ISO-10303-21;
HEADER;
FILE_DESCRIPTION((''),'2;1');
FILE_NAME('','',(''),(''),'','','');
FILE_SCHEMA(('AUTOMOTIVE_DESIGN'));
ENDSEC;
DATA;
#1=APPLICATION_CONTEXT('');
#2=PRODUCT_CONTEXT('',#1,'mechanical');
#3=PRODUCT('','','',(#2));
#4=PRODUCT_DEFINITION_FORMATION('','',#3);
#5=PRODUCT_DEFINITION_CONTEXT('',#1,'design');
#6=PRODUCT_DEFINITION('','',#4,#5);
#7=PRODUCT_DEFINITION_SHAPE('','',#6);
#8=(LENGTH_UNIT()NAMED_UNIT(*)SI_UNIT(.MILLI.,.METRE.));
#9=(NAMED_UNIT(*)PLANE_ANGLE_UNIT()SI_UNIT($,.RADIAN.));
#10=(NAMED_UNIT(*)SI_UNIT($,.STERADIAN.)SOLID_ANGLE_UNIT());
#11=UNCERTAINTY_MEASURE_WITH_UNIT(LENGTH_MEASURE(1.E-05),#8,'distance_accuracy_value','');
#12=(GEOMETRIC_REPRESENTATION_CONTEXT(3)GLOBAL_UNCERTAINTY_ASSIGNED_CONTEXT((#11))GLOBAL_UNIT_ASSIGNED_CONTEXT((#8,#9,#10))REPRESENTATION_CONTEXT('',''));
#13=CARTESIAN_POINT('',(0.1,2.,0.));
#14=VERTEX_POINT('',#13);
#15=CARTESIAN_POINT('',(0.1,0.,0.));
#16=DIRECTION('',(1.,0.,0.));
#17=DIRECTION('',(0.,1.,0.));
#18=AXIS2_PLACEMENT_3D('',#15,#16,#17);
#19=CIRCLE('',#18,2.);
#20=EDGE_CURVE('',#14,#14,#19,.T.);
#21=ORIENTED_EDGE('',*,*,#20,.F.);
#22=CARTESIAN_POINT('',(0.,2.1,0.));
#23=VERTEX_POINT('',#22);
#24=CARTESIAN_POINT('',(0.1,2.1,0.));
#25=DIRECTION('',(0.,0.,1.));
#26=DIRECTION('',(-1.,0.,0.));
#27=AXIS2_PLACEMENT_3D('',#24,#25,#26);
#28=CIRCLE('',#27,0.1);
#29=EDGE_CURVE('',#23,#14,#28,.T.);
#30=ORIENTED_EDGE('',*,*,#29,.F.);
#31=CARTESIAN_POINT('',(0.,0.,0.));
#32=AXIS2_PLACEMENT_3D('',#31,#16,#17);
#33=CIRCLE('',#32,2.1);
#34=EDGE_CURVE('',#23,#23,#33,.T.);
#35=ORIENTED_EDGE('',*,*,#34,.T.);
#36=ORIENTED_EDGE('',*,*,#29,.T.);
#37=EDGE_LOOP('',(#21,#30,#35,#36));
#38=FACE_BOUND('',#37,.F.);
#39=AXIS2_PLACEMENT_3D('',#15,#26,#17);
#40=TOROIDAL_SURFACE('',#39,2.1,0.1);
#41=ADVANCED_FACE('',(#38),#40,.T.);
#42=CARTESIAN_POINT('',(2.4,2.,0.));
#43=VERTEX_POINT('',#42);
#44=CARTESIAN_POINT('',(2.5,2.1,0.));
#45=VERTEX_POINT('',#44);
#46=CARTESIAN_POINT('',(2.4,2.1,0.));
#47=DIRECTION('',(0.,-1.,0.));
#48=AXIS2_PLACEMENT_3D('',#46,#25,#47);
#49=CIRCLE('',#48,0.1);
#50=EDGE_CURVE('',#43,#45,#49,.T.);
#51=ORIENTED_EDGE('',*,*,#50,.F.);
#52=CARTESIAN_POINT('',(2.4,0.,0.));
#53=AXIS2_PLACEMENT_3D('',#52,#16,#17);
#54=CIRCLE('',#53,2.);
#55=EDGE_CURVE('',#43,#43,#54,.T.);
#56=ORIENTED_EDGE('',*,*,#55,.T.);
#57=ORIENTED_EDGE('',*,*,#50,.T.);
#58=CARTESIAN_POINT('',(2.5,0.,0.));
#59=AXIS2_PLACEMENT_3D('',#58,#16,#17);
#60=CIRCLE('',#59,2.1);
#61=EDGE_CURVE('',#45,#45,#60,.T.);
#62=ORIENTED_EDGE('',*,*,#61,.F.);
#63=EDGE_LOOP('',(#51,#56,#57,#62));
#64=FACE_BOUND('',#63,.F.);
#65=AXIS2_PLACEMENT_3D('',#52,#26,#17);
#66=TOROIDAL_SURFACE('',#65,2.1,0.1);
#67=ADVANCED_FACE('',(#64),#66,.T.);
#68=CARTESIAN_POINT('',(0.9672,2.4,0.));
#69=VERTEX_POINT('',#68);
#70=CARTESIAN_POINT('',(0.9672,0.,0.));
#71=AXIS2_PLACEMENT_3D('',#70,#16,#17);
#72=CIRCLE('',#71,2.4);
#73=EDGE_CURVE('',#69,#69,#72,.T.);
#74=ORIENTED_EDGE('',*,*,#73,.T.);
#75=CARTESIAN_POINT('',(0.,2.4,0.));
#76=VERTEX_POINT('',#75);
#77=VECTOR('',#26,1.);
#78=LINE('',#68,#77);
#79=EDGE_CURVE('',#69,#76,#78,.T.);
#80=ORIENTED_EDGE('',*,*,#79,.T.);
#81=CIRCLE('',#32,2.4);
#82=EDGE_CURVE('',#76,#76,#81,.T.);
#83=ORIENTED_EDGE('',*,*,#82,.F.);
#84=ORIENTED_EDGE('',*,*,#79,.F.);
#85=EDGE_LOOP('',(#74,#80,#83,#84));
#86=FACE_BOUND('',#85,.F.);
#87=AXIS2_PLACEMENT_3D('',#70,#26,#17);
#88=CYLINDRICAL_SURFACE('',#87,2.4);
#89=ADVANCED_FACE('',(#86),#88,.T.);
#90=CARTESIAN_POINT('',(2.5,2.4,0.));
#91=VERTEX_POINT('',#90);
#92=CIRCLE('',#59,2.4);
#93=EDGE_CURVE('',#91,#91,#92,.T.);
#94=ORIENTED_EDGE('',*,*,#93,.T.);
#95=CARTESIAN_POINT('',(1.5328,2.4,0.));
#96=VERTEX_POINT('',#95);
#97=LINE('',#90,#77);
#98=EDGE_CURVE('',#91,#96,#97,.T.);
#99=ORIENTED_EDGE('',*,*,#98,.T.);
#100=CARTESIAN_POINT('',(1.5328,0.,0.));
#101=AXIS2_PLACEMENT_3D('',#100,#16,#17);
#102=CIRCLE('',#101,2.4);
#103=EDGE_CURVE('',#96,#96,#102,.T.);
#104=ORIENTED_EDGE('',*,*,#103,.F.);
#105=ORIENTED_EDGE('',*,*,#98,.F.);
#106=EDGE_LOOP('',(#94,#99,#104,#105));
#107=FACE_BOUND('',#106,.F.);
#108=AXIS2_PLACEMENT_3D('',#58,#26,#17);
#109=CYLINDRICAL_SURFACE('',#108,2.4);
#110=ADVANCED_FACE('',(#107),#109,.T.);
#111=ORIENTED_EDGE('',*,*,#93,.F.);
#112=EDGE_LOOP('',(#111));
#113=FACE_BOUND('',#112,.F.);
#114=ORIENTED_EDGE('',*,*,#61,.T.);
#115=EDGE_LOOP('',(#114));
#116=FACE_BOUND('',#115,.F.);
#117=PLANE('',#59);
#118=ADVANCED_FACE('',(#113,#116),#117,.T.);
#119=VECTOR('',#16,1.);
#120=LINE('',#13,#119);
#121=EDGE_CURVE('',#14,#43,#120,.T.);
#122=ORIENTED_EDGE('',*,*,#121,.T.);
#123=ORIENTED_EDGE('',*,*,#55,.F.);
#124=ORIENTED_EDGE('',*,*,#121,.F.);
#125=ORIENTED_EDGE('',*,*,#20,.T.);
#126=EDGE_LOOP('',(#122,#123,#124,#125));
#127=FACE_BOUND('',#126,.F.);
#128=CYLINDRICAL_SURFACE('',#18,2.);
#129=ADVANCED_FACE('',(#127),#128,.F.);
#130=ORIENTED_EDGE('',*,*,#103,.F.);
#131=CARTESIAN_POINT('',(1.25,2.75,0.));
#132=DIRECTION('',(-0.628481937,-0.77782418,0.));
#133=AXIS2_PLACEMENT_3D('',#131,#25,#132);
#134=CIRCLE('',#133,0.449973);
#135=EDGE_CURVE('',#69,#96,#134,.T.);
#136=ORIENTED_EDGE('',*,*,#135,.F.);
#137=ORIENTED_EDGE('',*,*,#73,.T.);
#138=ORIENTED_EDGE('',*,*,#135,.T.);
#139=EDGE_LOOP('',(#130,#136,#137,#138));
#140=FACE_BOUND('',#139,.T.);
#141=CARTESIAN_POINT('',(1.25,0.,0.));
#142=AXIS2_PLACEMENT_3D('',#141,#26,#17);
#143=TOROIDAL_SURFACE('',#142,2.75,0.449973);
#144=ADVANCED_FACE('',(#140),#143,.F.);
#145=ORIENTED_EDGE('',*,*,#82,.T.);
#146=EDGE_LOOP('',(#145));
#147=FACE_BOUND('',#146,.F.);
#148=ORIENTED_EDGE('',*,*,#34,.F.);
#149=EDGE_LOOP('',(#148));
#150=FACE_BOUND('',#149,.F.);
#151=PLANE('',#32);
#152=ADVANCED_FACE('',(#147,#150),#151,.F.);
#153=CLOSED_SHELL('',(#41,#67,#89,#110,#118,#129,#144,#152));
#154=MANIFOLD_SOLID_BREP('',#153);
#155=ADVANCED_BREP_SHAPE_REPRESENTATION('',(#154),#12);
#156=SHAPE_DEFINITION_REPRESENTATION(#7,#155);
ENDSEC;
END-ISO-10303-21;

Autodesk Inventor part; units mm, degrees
sketch "Sketch_1" plane through (0, 0, 0) normal (0, 0, 1) x (1, 0, 0)
  line L0 (2.5, 0) -> (0, 0)
  arc A0 (0, 2.1) -> (0.1, 2) centre (0.1, 2.1) ccw
  line L1 (0.1, 2) -> (2.4, 2)
  arc A1 (2.4, 2) -> (2.5, 2.1) centre (2.4, 2.1) ccw
  line L2 (2.5, 2.1) -> (2.5, 2.4)
  line L3 (2.5, 2.4) -> (1.5328, 2.4)
  arc A2 (0.9672, 2.4) -> (1.5328, 2.4) centre (1.25, 2.75) ccw
  line L4 (0.9672, 2.4) -> (0, 2.4)
  line L5 (0, 2.4) -> (0, 2.1)
revolve "Revolution1" add sketch "Sketch_1" angle 360 about axis through (2.5, 0, 0) along (1, 0, 0)
ref_plane "ip_st_1_1_XY" through (1.25, 2.75, 0) normal (1, 0, 0) x (0, 0, -1)
ref_plane "ip_st_1_1_YZ" through (1.25, 2.75, 0) normal (0, 0, -1) x (0, 1, 0)
ref_plane "ip_st_1_1_ZX" through (1.25, 2.75, 0) normal (0, 1, 0) x (1, 0, 0)
ref_plane "ip_st_1_10_XY" through (1.25, -1.7146, -2.15) normal (1, 0, 0) x (0, 0, -1)
ref_plane "ip_st_1_10_YZ" through (1.25, -1.7146, -2.15) normal (0, 0, -1) x (0, 1, 0)
ref_plane "ip_st_1_10_ZX" through (1.25, -1.7146, -2.15) normal (0, 1, 0) x (1, 0, 0)
ref_plane "ip_st_1_11_XY" through (1.25, -0.6119, -2.6811) normal (1, 0, 0) x (0, 0, -1)
ref_plane "ip_st_1_11_YZ" through (1.25, -0.6119, -2.6811) normal (0, 0, -1) x (0, 1, 0)
ref_plane "ip_st_1_11_ZX" through (1.25, -0.6119, -2.6811) normal (0, 1, 0) x (1, 0, 0)
ref_plane "ip_st_1_12_XY" through (1.25, 0.6119, -2.6811) normal (1, 0, 0) x (0, 0, -1)
ref_plane "ip_st_1_12_YZ" through (1.25, 0.6119, -2.6811) normal (0, 0, -1) x (0, 1, 0)
ref_plane "ip_st_1_12_ZX" through (1.25, 0.6119, -2.6811) normal (0, 1, 0) x (1, 0, 0)
ref_plane "ip_st_1_13_XY" through (1.25, 1.7146, -2.15) normal (1, 0, 0) x (0, 0, -1)
ref_plane "ip_st_1_13_YZ" through (1.25, 1.7146, -2.15) normal (0, 0, -1) x (0, 1, 0)
ref_plane "ip_st_1_13_ZX" through (1.25, 1.7146, -2.15) normal (0, 1, 0) x (1, 0, 0)
ref_plane "ip_st_1_14_XY" through (1.25, 2.4777, -1.1932) normal (1, 0, 0) x (0, 0, -1)
ref_plane "ip_st_1_14_YZ" through (1.25, 2.4777, -1.1932) normal (0, 0, -1) x (0, 1, 0)
ref_plane "ip_st_1_14_ZX" through (1.25, 2.4777, -1.1932) normal (0, 1, 0) x (1, 0, 0)
ref_plane "ip_st_1_2_XY" through (1.25, 2.4777, 1.1932) normal (1, 0, 0) x (0, 0, -1)
ref_plane "ip_st_1_2_YZ" through (1.25, 2.4777, 1.1932) normal (0, 0, -1) x (0, 1, 0)
ref_plane "ip_st_1_2_ZX" through (1.25, 2.4777, 1.1932) normal (0, 1, 0) x (1, 0, 0)
ref_plane "ip_st_1_3_XY" through (1.25, 1.7146, 2.15) normal (1, 0, 0) x (0, 0, -1)
ref_plane "ip_st_1_3_YZ" through (1.25, 1.7146, 2.15) normal (0, 0, -1) x (0, 1, 0)
ref_plane "ip_st_1_3_ZX" through (1.25, 1.7146, 2.15) normal (0, 1, 0) x (1, 0, 0)
ref_plane "ip_st_1_4_XY" through (1.25, 0.6119, 2.6811) normal (1, 0, 0) x (0, 0, -1)
ref_plane "ip_st_1_4_YZ" through (1.25, 0.6119, 2.6811) normal (0, 0, -1) x (0, 1, 0)
ref_plane "ip_st_1_4_ZX" through (1.25, 0.6119, 2.6811) normal (0, 1, 0) x (1, 0, 0)
ref_plane "ip_st_1_5_XY" through (1.25, -0.6119, 2.6811) normal (1, 0, 0) x (0, 0, -1)
ref_plane "ip_st_1_5_YZ" through (1.25, -0.6119, 2.6811) normal (0, 0, -1) x (0, 1, 0)
ref_plane "ip_st_1_5_ZX" through (1.25, -0.6119, 2.6811) normal (0, 1, 0) x (1, 0, 0)
ref_plane "ip_st_1_6_XY" through (1.25, -1.7146, 2.15) normal (1, 0, 0) x (0, 0, -1)
ref_plane "ip_st_1_6_YZ" through (1.25, -1.7146, 2.15) normal (0, 0, -1) x (0, 1, 0)
ref_plane "ip_st_1_6_ZX" through (1.25, -1.7146, 2.15) normal (0, 1, 0) x (1, 0, 0)
ref_plane "ip_st_1_7_XY" through (1.25, -2.4777, 1.1932) normal (1, 0, 0) x (0, 0, -1)
ref_plane "ip_st_1_7_YZ" through (1.25, -2.4777, 1.1932) normal (0, 0, -1) x (0, 1, 0)
ref_plane "ip_st_1_7_ZX" through (1.25, -2.4777, 1.1932) normal (0, 1, 0) x (1, 0, 0)
ref_plane "ip_st_1_8_XY" through (1.25, -2.75, 0) normal (1, 0, 0) x (0, 0, -1)
ref_plane "ip_st_1_8_YZ" through (1.25, -2.75, 0) normal (0, 0, -1) x (0, 1, 0)
ref_plane "ip_st_1_8_ZX" through (1.25, -2.75, 0) normal (0, 1, 0) x (1, 0, 0)
ref_plane "ip_st_1_9_XY" through (1.25, -2.4777, -1.1932) normal (1, 0, 0) x (0, 0, -1)
ref_plane "ip_st_1_9_YZ" through (1.25, -2.4777, -1.1932) normal (0, 0, -1) x (0, 1, 0)
ref_plane "ip_st_1_9_ZX" through (1.25, -2.4777, -1.1932) normal (0, 1, 0) x (1, 0, 0)
ref_plane "ip_st_1a_XY" through (0, 0, 0) normal (1, 0, 0) x (0, 0, -1)
ref_plane "ip_st_1a_YZ" through (0, 0, 0) normal (0, 0, -1) x (0, 1, 0)
ref_plane "ip_st_1a_ZX" through (0, 0, 0) normal (0, 1, 0) x (1, 0, 0)
ref_plane "ip_st_2a_XY" through (0.1562, 0, 0) normal (1, 0, 0) x (0, 0, -1)
ref_plane "ip_st_2a_YZ" through (0.1562, 0, 0) normal (0, 0, -1) x (0, 1, 0)
ref_plane "ip_st_2a_ZX" through (0.1562, 0, 0) normal (0, 1, 0) x (1, 0, 0)
properties part number "MF74ZZ Inner Ring"
